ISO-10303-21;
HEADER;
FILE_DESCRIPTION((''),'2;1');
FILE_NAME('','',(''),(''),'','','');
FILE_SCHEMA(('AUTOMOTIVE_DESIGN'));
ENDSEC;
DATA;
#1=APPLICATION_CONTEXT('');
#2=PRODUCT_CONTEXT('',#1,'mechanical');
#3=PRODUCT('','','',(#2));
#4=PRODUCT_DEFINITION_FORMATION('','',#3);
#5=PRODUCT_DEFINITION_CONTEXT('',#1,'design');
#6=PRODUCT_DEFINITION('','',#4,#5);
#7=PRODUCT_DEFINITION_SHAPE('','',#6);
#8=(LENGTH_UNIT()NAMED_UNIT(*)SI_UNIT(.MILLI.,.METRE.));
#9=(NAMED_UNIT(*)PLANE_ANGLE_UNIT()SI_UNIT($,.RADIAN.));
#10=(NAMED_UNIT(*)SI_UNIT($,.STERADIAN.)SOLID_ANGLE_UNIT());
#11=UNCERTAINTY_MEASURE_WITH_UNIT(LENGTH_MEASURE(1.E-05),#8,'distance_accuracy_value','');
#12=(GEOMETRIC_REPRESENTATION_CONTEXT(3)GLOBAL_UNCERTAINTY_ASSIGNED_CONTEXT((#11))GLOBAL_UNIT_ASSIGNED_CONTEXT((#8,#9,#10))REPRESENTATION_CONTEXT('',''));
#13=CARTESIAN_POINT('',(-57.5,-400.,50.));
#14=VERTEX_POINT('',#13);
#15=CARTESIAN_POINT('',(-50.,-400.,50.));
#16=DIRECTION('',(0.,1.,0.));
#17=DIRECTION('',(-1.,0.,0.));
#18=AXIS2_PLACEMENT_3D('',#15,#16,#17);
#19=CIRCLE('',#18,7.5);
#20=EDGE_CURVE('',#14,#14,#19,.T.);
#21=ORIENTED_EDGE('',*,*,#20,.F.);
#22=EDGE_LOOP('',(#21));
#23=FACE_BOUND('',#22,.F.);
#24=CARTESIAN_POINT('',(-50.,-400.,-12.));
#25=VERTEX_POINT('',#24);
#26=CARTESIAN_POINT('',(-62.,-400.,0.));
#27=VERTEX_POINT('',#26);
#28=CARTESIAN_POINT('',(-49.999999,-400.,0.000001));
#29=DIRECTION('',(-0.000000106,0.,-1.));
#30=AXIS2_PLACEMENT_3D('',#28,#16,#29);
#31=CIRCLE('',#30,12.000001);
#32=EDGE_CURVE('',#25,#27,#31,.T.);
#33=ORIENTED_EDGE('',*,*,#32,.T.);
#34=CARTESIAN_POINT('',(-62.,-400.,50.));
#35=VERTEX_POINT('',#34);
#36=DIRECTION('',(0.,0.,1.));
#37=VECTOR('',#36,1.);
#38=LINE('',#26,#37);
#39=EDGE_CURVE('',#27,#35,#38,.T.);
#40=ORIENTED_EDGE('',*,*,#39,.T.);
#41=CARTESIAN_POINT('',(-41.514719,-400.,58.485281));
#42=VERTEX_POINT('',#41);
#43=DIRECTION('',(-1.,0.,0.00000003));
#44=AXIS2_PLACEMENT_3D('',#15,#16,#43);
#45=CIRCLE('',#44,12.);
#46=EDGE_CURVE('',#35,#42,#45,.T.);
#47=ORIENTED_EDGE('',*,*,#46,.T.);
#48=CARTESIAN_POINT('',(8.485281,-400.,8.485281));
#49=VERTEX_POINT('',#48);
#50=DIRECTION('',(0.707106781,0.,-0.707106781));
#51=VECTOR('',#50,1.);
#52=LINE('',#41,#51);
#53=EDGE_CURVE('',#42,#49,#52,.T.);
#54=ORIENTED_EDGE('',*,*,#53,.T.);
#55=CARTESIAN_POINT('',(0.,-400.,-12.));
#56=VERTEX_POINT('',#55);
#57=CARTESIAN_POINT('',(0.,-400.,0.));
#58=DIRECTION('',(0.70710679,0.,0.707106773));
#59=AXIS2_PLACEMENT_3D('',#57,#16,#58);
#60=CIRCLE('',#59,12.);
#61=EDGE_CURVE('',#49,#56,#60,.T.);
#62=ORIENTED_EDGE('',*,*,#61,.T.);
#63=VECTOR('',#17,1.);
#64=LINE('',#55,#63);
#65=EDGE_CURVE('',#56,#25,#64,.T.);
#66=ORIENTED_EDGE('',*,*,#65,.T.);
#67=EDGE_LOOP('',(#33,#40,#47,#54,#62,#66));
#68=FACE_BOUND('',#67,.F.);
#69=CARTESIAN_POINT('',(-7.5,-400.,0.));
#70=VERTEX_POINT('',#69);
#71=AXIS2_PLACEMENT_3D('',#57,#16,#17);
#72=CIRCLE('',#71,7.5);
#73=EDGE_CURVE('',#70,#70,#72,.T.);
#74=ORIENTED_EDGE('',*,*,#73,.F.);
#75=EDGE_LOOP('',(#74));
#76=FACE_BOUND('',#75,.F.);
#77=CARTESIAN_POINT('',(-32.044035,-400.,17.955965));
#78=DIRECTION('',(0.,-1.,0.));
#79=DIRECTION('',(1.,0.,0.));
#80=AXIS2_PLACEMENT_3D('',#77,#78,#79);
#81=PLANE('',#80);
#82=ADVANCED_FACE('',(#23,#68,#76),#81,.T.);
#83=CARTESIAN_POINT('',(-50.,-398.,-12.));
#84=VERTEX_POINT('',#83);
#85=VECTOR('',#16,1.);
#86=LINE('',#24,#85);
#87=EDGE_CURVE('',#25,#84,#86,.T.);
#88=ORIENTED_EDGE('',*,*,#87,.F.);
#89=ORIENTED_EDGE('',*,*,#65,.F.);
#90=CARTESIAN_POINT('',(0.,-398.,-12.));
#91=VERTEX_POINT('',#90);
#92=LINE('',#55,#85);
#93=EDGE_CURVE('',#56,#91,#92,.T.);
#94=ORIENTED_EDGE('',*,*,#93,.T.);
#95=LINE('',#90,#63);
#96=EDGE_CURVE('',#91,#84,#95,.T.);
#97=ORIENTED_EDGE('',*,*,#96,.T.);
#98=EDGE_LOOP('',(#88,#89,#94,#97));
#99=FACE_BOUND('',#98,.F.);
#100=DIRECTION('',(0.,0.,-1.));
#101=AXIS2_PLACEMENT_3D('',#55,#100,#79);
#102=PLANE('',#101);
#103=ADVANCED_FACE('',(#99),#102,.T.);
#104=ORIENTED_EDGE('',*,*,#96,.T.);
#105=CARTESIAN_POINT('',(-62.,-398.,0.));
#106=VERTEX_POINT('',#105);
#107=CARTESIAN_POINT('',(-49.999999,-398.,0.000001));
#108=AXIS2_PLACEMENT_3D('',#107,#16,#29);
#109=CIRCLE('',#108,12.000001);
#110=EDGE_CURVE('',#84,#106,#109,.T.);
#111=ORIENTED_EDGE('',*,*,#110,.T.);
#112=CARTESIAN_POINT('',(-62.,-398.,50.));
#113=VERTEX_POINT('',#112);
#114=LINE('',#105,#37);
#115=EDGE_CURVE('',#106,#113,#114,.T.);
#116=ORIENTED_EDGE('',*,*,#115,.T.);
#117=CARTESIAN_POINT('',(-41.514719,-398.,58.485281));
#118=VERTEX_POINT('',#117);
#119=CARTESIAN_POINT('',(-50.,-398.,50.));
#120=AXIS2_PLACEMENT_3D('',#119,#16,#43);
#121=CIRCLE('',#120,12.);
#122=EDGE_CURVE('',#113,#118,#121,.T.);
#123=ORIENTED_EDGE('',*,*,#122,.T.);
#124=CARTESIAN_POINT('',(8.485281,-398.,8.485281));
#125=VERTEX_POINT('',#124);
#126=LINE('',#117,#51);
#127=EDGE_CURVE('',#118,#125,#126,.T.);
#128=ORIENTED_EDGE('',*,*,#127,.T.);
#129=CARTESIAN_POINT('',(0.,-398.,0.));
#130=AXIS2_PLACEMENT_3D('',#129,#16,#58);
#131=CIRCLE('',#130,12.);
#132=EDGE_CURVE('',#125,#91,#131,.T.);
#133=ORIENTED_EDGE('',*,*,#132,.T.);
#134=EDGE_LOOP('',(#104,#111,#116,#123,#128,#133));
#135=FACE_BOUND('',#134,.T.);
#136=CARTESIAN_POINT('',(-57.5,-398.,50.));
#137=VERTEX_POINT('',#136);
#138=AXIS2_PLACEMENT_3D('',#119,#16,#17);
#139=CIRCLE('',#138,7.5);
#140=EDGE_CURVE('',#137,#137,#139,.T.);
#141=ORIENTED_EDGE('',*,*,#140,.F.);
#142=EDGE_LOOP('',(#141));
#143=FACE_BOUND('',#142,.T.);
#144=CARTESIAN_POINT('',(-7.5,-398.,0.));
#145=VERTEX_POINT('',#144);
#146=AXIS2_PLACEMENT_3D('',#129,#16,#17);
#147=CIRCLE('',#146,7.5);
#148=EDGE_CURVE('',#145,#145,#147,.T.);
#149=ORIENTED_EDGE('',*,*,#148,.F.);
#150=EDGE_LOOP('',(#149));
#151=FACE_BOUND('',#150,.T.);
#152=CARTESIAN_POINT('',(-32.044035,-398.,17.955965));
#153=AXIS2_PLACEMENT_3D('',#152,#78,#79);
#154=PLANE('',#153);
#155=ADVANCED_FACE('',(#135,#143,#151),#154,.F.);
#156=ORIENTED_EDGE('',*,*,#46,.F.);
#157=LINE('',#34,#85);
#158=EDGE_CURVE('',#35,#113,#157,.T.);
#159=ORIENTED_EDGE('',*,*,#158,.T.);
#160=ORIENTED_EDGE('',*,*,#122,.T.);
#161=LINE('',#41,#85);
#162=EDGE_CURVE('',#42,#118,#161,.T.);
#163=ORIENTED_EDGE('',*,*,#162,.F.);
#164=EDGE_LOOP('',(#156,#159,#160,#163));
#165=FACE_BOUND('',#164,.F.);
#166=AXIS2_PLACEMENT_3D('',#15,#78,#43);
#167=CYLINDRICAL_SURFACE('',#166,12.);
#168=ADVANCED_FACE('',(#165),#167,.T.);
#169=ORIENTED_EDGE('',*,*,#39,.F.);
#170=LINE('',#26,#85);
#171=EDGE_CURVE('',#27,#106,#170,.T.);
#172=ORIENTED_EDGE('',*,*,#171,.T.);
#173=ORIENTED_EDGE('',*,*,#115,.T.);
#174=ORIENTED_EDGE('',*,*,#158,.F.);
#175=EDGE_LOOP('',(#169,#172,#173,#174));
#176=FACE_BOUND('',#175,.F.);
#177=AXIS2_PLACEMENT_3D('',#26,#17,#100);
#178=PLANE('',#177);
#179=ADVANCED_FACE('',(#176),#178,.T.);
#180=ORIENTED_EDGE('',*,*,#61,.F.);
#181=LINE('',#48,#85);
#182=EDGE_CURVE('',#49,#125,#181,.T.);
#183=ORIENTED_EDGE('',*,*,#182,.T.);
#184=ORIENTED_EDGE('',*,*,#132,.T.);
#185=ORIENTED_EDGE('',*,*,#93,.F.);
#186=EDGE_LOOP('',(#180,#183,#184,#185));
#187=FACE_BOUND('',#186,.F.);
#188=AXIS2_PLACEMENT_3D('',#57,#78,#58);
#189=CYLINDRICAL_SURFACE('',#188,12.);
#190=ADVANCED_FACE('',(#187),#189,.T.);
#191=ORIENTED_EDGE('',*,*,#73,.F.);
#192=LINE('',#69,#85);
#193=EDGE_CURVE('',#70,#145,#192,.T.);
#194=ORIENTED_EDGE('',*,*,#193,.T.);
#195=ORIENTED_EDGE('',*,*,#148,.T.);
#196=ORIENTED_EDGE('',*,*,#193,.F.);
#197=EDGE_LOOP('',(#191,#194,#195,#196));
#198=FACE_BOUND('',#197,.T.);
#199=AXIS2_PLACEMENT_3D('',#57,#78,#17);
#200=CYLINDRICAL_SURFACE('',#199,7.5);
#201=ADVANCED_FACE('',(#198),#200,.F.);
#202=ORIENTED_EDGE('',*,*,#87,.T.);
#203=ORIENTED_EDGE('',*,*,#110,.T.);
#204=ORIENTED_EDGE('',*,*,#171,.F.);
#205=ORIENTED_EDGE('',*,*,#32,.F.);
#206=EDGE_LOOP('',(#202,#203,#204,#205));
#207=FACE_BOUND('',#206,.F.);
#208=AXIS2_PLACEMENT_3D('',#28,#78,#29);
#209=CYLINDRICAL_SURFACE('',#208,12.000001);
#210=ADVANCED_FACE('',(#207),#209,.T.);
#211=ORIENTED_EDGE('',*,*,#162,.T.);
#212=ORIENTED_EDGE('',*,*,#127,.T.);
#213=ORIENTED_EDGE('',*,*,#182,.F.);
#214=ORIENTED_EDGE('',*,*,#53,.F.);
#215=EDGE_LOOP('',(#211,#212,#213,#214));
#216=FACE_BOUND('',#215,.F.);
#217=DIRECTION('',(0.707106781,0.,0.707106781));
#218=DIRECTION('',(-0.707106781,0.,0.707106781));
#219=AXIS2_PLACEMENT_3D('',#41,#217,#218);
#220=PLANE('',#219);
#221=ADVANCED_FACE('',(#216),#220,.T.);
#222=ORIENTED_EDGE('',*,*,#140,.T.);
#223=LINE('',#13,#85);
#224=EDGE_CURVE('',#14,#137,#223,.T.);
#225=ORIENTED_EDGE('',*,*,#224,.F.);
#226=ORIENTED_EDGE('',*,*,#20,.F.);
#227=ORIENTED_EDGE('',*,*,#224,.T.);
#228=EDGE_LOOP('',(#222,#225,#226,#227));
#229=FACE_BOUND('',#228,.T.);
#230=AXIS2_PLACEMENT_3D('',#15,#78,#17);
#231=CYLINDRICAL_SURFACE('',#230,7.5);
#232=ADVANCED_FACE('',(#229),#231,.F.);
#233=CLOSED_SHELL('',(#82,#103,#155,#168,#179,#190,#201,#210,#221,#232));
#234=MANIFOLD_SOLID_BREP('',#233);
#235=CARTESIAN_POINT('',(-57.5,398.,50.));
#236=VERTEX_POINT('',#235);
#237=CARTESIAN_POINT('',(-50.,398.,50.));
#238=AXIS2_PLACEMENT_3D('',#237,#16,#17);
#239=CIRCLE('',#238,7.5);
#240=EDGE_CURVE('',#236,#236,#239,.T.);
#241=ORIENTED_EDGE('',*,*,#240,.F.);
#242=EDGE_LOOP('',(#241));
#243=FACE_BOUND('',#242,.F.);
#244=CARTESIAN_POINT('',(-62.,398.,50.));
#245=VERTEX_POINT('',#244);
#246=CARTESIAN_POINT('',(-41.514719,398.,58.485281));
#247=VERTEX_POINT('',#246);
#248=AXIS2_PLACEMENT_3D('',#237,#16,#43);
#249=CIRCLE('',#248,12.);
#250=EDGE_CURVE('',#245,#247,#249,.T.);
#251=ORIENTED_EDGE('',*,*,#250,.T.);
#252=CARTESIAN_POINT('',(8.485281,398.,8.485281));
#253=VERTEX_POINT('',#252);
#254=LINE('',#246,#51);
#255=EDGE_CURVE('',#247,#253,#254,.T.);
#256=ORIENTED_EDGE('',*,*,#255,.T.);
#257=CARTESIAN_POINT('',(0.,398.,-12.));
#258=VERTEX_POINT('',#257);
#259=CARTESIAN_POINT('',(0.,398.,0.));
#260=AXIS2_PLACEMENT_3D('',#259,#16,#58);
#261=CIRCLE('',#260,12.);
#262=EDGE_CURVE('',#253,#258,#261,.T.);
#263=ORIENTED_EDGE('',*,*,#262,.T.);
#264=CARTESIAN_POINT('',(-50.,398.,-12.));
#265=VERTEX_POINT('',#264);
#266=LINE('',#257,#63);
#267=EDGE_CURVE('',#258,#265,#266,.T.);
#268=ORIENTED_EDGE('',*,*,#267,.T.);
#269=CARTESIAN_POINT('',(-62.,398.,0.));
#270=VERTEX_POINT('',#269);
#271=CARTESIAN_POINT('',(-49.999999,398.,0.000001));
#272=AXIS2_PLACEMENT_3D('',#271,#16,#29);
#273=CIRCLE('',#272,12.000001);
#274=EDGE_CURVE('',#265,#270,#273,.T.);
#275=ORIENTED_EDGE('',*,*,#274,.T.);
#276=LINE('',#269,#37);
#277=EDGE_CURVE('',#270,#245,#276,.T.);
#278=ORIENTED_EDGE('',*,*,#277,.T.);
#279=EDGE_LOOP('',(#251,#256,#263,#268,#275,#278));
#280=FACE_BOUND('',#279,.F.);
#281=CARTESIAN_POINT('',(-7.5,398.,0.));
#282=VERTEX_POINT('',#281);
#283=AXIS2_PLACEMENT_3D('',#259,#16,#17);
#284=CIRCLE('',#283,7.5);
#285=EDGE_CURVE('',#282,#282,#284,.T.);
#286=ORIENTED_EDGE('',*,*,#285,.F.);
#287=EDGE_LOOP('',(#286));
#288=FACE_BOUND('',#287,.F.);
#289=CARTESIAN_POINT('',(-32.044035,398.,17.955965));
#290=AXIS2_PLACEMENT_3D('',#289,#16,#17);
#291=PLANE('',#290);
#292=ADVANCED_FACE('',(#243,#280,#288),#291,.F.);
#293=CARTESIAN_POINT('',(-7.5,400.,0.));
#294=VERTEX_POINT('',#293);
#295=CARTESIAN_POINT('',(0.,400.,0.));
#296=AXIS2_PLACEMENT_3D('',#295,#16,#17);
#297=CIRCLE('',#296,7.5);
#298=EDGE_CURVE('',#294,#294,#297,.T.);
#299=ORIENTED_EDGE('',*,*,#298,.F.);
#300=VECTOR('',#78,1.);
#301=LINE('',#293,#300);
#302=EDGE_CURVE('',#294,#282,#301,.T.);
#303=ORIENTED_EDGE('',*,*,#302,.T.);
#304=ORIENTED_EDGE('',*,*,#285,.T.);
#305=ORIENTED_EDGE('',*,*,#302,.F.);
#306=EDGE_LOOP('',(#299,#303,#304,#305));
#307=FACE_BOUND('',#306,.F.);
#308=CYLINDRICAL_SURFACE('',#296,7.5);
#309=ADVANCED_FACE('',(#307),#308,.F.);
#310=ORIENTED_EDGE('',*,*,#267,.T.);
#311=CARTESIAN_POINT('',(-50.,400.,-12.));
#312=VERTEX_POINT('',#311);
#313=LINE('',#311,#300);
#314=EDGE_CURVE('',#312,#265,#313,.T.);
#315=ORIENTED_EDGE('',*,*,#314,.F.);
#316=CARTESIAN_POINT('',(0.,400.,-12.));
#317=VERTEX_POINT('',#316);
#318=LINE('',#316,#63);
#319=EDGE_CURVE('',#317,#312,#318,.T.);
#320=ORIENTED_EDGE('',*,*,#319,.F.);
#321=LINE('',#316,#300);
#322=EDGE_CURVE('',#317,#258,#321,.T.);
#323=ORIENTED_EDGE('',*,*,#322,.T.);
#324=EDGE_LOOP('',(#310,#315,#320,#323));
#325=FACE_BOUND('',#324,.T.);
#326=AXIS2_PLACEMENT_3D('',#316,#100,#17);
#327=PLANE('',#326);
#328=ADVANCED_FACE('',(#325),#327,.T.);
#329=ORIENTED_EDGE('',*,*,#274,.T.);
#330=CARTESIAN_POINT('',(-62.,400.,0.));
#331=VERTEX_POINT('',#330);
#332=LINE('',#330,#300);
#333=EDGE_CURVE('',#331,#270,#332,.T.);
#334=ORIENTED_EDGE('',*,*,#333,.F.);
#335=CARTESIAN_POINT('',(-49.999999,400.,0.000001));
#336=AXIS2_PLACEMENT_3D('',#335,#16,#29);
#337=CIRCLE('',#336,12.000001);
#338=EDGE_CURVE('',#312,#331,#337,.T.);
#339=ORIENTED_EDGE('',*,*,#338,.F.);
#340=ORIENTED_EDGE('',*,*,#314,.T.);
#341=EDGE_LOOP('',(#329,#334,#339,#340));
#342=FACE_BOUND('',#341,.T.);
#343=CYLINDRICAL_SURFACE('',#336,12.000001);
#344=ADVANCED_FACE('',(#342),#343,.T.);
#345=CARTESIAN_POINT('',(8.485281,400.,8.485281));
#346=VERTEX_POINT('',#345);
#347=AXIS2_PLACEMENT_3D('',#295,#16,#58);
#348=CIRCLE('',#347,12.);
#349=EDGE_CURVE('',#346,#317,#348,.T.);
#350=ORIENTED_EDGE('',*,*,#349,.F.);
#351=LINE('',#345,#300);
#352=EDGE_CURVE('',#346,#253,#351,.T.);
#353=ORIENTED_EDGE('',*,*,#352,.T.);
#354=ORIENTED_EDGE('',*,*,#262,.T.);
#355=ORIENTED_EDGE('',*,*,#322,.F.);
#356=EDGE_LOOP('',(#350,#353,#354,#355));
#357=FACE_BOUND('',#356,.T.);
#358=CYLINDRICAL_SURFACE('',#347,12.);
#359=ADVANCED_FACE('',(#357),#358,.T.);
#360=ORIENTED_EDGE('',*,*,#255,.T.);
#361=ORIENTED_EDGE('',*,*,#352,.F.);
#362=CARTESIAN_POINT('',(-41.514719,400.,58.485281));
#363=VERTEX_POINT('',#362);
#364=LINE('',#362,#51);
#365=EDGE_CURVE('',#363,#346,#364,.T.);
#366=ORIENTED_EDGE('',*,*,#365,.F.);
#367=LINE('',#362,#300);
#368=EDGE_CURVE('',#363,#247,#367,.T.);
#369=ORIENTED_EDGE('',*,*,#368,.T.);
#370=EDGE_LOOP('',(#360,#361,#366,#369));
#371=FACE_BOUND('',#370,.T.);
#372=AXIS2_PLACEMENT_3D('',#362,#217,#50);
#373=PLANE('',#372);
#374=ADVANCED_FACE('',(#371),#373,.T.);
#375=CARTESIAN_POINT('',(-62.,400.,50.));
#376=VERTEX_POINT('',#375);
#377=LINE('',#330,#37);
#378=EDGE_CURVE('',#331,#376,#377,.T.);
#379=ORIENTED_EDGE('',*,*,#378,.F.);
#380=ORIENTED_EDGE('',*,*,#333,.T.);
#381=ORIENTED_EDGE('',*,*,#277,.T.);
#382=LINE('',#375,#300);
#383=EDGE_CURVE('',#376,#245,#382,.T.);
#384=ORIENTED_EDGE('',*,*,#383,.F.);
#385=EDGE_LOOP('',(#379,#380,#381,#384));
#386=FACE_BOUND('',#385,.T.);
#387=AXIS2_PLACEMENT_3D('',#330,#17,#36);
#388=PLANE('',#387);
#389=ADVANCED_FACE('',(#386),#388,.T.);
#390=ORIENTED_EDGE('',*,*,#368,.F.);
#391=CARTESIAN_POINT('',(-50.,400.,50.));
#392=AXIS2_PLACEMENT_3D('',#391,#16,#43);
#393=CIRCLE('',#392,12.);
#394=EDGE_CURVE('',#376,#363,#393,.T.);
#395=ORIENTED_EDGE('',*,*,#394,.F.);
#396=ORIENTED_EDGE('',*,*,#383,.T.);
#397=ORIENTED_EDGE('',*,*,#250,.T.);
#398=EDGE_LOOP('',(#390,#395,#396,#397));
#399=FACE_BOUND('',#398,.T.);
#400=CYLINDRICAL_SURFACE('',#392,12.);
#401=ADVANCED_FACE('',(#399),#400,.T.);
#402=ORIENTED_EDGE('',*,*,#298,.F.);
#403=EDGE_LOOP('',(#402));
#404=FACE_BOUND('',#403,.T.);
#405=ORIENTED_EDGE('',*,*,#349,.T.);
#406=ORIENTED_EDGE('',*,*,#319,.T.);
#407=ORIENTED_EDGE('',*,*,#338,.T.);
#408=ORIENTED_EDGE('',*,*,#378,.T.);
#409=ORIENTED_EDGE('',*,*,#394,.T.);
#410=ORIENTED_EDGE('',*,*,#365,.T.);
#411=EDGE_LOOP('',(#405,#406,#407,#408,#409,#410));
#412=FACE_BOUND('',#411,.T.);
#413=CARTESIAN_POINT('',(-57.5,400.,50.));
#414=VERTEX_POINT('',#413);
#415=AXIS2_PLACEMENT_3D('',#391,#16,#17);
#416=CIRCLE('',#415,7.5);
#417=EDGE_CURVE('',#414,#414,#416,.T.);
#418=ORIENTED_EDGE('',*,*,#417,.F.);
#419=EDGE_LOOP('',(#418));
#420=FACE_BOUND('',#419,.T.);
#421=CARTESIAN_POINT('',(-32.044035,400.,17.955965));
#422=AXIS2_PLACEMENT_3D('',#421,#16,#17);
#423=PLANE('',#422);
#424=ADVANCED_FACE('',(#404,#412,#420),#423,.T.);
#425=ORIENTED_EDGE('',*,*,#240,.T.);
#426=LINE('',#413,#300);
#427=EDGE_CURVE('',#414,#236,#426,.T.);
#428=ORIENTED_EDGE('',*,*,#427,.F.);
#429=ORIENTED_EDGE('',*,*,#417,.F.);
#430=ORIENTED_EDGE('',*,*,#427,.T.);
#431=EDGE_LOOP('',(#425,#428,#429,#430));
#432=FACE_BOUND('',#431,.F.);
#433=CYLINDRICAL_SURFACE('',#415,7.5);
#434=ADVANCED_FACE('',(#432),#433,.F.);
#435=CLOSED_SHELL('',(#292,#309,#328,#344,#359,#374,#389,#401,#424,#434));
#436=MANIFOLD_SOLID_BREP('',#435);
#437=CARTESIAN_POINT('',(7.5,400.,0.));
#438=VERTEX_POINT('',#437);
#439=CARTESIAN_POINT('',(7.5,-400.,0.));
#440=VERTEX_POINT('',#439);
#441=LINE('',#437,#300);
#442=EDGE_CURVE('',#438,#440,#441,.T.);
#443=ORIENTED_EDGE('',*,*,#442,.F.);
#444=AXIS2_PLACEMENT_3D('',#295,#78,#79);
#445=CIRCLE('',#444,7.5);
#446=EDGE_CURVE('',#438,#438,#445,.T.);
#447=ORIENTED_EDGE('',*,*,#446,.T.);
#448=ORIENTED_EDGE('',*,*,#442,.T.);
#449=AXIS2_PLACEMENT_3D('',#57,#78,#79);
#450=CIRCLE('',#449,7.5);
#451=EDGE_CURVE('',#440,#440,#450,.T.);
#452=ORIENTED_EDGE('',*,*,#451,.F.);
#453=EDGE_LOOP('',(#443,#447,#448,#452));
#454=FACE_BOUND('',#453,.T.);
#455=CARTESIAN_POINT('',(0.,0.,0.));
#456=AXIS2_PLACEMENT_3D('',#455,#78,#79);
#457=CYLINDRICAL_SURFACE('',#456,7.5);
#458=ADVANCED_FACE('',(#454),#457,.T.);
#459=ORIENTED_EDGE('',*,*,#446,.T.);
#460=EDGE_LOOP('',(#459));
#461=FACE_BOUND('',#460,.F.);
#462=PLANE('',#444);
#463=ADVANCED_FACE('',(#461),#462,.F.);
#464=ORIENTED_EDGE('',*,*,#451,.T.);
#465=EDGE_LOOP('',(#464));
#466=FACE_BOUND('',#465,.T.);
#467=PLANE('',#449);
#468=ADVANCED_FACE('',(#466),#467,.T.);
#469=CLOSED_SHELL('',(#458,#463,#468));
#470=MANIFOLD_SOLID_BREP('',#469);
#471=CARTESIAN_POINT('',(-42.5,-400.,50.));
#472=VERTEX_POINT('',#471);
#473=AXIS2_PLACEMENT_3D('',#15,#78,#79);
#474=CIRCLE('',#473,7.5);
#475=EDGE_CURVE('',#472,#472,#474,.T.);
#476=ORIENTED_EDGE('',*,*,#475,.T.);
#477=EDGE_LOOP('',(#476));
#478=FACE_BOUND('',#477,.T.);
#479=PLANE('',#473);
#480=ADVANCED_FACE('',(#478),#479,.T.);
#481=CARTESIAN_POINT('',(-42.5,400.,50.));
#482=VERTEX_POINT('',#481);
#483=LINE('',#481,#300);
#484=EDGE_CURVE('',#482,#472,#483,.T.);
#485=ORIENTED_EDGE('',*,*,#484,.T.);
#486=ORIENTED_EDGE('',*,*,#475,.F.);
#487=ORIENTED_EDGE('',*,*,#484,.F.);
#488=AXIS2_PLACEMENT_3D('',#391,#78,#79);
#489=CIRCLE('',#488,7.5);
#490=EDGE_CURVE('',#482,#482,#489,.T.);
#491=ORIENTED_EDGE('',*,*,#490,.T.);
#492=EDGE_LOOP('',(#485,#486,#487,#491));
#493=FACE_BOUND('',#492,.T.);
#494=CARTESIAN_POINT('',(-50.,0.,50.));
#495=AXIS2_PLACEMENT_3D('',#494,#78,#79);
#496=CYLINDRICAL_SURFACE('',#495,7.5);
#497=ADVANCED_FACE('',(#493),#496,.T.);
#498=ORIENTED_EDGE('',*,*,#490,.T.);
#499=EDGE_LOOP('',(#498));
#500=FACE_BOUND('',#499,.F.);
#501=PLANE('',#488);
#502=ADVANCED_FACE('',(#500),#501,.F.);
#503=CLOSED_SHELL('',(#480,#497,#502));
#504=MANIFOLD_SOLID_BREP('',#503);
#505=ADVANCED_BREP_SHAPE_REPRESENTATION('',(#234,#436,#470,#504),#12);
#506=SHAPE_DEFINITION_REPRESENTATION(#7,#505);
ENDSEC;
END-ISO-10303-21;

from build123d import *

# Parameters (mm, degrees)
F0_R          = 7.5
F1_DEPTH      = 400
F1_DEPTH_BACK = 400
F2_R          = 7.5
F3_DEPTH      = 2


with BuildPart() as f1:
    # F0 (on Front) → F1 (new body, two sides)
    with BuildSketch(Plane.XZ) as f1_sk:
        Circle(F0_R)
        with Locations((-50, 50)):
            Circle(F0_R)
    extrude(amount=F1_DEPTH)
    extrude(f1_sk.sketch, amount=-F1_DEPTH_BACK)


with BuildPart() as f3:
    # F2 (on face) → F3 (new body)
    with BuildSketch(Plane(origin=(0, 400, 0), x_dir=(-1, 0, 0), z_dir=(0, 1, 0))):
        with BuildLine():
            Line((41.514719, 58.485281), (-8.485281, 8.485281))
            ThreePointArc((-8.485281, 8.485281), (-11.086554, -4.592201), (0, -12))
            Line((0, -12), (50, -12))
            ThreePointArc((50, -12), (58.485281, -8.485281), (62, 0))
            Line((62, 0), (62, 50))
            ThreePointArc((62, 50), (54.592201, 61.086554), (41.514719, 58.485281))
        make_face()
        Circle(F2_R, mode=Mode.SUBTRACT)
        with Locations((50, 50)):
            Circle(F2_R, mode=Mode.SUBTRACT)
    extrude(amount=-F3_DEPTH)


with BuildPart() as f4_1:
    # F4: instance of F3
    add(f3.part.mirror(Plane.XZ))


solid = Compound([f1.part, f3.part, f4_1.part])
